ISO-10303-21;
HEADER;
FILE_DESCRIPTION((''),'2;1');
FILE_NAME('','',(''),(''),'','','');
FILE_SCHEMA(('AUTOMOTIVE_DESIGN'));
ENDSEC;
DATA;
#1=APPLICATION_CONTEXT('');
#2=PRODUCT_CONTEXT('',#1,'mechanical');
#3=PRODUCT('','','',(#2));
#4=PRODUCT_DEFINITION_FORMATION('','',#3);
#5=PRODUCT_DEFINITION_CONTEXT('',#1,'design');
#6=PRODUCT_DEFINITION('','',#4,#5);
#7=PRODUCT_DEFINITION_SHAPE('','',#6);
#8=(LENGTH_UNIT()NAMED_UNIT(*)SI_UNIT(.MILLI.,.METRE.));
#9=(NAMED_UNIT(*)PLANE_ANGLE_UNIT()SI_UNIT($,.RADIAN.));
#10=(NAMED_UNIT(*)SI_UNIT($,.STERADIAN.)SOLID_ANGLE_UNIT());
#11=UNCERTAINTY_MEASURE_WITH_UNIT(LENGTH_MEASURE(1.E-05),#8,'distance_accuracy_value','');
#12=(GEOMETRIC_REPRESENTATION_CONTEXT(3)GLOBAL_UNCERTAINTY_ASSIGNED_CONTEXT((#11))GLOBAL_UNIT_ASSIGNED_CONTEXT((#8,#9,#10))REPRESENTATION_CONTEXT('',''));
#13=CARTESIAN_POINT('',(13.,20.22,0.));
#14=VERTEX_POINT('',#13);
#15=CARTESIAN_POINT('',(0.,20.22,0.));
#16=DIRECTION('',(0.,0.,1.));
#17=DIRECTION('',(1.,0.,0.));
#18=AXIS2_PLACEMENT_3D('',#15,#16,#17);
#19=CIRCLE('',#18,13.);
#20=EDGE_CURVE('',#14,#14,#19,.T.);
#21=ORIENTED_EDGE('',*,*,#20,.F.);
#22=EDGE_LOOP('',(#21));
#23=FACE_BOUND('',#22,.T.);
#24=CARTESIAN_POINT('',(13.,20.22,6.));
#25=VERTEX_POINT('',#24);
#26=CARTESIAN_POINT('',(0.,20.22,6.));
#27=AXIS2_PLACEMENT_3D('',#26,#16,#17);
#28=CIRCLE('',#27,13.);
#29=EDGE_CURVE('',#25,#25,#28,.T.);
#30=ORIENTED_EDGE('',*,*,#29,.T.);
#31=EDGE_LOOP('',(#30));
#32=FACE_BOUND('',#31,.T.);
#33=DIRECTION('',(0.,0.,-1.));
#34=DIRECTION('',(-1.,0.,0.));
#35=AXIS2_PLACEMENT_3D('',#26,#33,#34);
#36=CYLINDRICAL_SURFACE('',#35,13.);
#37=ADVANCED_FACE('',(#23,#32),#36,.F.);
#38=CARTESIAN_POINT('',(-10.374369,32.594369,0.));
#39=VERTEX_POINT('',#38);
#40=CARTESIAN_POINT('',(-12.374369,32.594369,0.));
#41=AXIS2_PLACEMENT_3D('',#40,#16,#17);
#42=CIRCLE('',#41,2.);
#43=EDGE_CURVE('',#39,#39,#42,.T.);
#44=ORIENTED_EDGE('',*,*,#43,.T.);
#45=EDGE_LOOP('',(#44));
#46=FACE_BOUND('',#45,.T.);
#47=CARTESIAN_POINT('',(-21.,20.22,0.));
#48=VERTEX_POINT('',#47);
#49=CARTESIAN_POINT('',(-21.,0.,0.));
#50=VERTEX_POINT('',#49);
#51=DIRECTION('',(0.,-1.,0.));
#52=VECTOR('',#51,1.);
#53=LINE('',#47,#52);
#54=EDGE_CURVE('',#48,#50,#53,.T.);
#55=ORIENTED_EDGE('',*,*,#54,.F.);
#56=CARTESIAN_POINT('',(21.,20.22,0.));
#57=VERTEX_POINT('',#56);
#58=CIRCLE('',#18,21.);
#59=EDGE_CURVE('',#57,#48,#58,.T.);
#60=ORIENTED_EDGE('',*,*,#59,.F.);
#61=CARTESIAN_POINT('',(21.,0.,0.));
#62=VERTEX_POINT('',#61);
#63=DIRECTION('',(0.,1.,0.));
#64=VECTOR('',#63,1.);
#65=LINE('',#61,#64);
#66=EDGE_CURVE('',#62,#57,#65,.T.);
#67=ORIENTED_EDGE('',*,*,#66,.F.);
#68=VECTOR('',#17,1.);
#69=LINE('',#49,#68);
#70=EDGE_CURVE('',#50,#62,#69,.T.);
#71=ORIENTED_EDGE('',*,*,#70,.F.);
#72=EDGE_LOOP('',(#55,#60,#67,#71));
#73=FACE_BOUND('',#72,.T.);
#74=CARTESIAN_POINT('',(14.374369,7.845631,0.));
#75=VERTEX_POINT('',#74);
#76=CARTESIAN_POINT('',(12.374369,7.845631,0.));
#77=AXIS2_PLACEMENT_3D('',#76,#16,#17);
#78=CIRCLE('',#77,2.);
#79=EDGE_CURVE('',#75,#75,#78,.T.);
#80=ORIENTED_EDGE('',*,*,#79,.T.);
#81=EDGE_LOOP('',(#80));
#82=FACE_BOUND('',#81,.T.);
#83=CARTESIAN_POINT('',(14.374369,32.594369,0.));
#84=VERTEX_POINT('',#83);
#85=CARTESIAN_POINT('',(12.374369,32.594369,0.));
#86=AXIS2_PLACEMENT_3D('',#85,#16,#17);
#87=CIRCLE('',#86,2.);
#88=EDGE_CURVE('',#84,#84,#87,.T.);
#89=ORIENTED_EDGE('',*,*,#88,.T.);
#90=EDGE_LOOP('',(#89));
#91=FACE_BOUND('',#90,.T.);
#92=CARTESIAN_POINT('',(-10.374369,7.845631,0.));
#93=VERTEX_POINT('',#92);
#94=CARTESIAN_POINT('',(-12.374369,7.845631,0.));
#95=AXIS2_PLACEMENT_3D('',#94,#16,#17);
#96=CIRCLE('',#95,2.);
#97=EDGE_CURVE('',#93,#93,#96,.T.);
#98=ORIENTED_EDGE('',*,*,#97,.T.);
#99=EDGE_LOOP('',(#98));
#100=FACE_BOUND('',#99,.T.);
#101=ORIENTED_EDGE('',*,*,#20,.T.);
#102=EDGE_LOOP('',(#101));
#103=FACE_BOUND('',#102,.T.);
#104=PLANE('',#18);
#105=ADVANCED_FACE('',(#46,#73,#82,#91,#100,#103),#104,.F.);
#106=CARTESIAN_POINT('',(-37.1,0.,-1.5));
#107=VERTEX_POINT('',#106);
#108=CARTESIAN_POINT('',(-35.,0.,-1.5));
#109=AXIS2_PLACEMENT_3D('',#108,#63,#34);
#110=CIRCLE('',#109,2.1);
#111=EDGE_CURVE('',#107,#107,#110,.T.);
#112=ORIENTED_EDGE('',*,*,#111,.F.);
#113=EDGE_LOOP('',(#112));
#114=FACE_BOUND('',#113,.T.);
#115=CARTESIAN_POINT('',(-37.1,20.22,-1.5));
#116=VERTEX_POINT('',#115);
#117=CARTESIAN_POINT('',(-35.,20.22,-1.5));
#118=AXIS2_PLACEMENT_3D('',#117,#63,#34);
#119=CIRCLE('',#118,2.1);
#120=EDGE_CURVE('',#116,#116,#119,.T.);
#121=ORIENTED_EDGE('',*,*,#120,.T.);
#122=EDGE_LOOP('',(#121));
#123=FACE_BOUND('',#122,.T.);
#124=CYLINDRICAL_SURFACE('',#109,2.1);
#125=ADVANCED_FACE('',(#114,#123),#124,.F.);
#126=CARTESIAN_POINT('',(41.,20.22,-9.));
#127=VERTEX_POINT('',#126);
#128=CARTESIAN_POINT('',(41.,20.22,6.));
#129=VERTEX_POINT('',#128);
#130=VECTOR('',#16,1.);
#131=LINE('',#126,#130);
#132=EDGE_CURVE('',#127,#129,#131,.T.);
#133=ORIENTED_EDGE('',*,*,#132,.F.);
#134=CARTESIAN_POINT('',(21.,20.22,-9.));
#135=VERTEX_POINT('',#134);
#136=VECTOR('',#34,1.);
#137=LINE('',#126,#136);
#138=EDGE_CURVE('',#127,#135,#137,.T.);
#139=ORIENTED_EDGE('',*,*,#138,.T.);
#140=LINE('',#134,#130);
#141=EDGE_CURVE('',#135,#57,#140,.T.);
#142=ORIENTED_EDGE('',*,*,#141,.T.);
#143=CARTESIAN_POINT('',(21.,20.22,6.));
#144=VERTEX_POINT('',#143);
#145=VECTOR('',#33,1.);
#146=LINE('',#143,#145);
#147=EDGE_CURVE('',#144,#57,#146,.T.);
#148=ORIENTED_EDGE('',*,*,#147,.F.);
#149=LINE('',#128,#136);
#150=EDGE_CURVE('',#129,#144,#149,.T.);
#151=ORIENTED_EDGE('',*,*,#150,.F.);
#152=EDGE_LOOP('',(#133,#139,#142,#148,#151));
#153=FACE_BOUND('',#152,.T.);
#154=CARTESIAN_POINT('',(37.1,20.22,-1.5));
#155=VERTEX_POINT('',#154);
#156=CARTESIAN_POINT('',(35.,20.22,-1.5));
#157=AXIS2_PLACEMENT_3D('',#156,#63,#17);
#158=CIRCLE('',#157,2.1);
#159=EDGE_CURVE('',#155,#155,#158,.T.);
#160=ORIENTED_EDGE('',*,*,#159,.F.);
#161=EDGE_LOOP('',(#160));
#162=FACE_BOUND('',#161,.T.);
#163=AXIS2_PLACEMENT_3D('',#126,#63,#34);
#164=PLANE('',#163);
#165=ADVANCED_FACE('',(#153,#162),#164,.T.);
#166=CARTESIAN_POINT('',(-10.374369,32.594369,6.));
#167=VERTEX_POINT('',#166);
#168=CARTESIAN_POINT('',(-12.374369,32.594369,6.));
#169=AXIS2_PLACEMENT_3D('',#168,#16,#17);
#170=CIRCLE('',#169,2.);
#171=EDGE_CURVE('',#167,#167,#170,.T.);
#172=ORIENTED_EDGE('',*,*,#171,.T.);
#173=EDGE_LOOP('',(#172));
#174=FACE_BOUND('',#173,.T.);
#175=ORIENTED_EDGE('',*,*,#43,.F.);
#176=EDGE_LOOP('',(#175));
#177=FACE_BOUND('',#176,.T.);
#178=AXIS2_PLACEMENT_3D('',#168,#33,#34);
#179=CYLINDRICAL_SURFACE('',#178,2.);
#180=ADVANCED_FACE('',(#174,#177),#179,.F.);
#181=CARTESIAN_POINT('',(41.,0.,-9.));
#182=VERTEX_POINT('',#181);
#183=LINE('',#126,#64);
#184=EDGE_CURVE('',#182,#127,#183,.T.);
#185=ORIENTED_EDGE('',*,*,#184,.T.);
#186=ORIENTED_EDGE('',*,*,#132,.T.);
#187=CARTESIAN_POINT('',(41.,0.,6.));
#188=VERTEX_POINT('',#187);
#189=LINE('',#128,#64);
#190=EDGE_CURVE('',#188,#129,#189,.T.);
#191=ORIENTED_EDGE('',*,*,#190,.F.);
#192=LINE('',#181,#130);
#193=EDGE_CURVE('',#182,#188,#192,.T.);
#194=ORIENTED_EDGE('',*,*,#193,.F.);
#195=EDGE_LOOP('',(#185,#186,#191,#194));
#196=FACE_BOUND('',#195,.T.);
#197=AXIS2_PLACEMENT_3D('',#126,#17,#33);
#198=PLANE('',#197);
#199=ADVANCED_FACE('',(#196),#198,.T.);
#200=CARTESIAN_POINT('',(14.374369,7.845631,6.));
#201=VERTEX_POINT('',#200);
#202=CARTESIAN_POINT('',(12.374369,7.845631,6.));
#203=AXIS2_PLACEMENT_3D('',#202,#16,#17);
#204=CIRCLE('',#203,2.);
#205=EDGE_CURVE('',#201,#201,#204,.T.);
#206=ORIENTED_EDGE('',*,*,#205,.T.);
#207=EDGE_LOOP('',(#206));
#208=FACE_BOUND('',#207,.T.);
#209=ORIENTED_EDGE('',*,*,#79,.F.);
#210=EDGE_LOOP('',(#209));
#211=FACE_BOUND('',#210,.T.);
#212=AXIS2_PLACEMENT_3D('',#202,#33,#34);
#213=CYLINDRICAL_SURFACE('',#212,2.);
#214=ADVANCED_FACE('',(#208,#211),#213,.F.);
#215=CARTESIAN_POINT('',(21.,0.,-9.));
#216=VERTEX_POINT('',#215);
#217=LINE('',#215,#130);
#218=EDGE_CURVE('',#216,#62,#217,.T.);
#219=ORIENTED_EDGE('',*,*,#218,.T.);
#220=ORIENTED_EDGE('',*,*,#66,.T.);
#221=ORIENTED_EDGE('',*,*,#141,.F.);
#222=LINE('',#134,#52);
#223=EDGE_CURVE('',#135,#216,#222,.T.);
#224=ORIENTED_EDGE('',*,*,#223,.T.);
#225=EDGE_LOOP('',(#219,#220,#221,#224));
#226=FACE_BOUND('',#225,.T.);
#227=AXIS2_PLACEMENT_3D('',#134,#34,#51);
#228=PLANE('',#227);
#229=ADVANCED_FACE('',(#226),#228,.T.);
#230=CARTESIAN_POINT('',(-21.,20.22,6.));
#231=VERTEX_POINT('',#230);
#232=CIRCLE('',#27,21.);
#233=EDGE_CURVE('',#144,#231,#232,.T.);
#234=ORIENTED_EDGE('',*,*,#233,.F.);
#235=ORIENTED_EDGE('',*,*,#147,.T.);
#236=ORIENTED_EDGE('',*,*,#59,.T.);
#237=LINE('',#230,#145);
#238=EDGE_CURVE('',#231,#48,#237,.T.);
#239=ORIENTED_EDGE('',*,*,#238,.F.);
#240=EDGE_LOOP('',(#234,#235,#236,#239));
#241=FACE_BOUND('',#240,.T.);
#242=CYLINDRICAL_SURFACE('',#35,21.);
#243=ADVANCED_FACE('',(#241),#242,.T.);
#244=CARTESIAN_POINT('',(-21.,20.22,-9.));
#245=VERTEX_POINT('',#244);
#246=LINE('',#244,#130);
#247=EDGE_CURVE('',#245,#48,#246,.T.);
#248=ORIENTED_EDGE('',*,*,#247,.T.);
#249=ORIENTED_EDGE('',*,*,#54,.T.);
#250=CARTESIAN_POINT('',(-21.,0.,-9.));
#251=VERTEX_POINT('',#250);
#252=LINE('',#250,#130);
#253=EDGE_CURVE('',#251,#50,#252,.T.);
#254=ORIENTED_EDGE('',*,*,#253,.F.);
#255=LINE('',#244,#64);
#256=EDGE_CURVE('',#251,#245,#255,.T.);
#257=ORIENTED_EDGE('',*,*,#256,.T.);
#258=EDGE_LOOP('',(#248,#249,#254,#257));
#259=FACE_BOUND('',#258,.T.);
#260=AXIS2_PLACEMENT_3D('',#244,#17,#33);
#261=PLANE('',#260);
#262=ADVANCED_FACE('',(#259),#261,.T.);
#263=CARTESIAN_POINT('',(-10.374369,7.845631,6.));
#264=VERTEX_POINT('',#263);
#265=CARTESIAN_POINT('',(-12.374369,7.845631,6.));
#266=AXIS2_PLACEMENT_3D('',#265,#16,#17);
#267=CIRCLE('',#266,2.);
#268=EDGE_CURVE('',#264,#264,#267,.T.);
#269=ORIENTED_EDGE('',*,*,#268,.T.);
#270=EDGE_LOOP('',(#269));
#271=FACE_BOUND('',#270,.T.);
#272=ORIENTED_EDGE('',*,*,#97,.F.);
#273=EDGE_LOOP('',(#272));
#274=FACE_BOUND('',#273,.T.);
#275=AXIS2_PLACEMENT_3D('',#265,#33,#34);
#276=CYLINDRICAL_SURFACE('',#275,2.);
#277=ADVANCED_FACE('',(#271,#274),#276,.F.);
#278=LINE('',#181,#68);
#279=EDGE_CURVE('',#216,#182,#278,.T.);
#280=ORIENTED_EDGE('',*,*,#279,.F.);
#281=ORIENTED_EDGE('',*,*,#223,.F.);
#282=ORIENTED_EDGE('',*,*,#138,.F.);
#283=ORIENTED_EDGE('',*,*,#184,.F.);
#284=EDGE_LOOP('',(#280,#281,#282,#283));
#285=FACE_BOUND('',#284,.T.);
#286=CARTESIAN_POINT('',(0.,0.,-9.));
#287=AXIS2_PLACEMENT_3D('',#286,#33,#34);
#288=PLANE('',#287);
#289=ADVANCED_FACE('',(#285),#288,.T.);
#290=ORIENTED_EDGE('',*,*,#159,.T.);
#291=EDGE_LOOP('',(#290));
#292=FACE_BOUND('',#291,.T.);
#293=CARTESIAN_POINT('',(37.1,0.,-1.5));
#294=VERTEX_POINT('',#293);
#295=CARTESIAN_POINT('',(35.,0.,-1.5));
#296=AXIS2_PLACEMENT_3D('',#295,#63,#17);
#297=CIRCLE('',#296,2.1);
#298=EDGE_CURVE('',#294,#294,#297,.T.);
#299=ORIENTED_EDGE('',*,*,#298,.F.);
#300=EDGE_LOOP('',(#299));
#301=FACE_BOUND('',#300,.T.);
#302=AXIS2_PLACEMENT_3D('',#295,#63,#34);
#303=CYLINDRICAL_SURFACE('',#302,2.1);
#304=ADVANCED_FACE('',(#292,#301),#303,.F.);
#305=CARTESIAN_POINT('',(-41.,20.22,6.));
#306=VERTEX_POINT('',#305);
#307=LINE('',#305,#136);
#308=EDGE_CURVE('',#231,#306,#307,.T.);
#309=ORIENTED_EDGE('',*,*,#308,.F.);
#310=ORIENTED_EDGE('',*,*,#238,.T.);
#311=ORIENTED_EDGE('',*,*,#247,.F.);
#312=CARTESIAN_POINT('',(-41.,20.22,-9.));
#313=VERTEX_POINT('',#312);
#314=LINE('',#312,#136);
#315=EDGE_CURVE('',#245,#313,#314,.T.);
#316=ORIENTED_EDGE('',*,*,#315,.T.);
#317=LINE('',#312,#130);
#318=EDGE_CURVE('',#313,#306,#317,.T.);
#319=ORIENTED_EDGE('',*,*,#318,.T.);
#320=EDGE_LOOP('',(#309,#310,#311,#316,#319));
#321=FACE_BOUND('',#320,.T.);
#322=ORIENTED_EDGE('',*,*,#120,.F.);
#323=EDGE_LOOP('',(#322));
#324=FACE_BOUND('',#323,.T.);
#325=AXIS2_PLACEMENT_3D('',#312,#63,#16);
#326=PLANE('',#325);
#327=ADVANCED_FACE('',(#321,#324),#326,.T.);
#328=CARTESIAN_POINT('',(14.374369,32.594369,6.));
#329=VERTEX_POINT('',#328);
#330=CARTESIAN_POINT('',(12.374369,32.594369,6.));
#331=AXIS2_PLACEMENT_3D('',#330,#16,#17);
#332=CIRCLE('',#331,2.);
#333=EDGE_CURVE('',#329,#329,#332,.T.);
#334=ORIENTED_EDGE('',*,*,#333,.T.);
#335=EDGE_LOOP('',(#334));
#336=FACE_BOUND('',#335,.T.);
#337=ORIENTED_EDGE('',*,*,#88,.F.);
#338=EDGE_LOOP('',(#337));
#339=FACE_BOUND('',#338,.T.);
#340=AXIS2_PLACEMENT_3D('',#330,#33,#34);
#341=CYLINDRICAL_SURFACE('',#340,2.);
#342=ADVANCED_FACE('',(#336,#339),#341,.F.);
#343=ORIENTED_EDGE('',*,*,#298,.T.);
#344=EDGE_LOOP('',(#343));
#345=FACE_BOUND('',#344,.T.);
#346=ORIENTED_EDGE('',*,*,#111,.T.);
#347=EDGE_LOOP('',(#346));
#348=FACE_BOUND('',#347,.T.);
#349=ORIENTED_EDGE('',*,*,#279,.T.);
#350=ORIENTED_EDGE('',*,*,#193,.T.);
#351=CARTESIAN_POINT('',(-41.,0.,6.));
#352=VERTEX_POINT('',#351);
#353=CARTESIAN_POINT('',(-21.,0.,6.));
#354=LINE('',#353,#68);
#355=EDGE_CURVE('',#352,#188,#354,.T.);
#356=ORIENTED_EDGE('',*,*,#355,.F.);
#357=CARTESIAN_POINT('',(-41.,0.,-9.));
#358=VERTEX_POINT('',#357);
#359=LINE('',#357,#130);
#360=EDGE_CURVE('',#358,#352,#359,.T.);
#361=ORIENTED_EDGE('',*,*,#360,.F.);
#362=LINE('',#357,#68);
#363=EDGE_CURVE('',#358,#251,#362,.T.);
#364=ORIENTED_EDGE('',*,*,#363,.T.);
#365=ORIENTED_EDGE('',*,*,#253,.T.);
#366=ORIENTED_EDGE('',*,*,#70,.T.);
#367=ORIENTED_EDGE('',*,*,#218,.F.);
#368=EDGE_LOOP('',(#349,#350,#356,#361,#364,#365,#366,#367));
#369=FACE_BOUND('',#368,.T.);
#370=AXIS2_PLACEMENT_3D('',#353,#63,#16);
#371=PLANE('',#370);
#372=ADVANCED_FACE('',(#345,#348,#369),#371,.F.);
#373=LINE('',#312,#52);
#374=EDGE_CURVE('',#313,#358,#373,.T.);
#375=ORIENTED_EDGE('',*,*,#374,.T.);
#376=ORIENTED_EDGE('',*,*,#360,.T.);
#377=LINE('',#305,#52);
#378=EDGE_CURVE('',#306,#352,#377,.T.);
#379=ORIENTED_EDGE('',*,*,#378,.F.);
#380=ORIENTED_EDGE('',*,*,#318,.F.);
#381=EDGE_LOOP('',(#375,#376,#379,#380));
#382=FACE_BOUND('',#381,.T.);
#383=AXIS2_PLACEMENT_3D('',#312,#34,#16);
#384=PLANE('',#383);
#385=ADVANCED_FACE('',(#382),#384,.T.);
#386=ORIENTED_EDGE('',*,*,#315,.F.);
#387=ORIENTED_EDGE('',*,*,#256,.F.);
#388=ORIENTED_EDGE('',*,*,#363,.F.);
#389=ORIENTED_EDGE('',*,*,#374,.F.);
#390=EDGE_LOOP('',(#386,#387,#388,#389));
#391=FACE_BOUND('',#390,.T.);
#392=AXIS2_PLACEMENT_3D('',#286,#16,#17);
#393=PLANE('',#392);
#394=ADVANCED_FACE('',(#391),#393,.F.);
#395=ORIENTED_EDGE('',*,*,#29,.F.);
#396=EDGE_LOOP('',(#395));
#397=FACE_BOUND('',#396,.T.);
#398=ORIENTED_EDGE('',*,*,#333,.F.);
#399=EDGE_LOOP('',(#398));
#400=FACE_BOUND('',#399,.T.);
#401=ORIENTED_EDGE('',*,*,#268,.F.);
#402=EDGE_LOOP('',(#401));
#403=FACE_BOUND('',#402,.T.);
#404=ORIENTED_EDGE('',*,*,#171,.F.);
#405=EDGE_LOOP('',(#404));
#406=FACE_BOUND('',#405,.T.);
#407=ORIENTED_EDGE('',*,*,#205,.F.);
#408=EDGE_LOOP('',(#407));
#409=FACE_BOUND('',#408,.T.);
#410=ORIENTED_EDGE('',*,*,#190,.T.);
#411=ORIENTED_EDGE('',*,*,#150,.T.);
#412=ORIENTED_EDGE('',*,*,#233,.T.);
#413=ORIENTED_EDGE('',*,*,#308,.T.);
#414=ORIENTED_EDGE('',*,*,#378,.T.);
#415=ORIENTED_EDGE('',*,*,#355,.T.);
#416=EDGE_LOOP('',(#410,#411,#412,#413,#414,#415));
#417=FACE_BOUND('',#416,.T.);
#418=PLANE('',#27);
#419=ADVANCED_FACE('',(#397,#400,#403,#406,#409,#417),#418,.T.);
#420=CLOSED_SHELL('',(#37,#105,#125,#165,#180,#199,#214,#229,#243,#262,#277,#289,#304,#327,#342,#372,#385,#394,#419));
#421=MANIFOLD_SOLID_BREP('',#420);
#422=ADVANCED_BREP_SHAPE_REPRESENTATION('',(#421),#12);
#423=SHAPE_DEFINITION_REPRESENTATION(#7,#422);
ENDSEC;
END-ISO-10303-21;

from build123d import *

# Parameters (mm, degrees)
SKETCH_1_R          = 13
SKETCH_1_R_2        = 2
EXTRUDE_1_DEPTH     = 6
SKETCH_2_W          = 20
SKETCH_2_H          = 20.22
EXTRUDE_2_DEPTH     = 15
SKETCH_3_R          = 2.1
CUT_EXTRUDE_1_DEPTH = 47.936126811


with BuildPart() as part:
    # 草图1 → 凸台-拉伸1 (new body)
    with BuildSketch(Plane.XY):
        with BuildLine():
            Line((-21, 20.22), (-21, 0))
            Line((-21, 0), (21, 0))
            Line((21, 0), (21, 20.22))
            ThreePointArc((21, 20.22), (0, 41.22), (-21, 20.22))
        make_face()
        with Locations((0, 20.22)):
            Circle(SKETCH_1_R, mode=Mode.SUBTRACT)
        with Locations((-12.374368671, 32.594368671)):
            Circle(SKETCH_1_R_2, mode=Mode.SUBTRACT)
        with Locations((12.374368671, 32.594368671)):
            Circle(SKETCH_1_R_2, mode=Mode.SUBTRACT)
        with Locations((12.374368671, 7.845631329)):
            Circle(SKETCH_1_R_2, mode=Mode.SUBTRACT)
        with Locations((-12.374368671, 7.845631329)):
            Circle(SKETCH_1_R_2, mode=Mode.SUBTRACT)
    extrude(amount=EXTRUDE_1_DEPTH)

    # 草图2 → 凸台-拉伸2 (add)
    with BuildSketch(Plane.XY.offset(6)):
        with Locations((-31, 10.11)):
            Rectangle(SKETCH_2_W, SKETCH_2_H)
        with Locations((31, 10.11)):
            Rectangle(SKETCH_2_W, SKETCH_2_H)
    extrude(amount=-EXTRUDE_2_DEPTH)

    # 草图3 → 切除-拉伸1 (cut, through all)
    with BuildSketch(Plane(origin=(0, 20.22, 0), x_dir=(1, 0, 0), z_dir=(0, 1, 0))):
        with Locations(Location((-35, 1.5, 0), (0, 0, 180))):
            Circle(SKETCH_3_R)
        with Locations((35, 1.5)):
            Circle(SKETCH_3_R)
    extrude(amount=-CUT_EXTRUDE_1_DEPTH, mode=Mode.SUBTRACT)


solid = part.part
